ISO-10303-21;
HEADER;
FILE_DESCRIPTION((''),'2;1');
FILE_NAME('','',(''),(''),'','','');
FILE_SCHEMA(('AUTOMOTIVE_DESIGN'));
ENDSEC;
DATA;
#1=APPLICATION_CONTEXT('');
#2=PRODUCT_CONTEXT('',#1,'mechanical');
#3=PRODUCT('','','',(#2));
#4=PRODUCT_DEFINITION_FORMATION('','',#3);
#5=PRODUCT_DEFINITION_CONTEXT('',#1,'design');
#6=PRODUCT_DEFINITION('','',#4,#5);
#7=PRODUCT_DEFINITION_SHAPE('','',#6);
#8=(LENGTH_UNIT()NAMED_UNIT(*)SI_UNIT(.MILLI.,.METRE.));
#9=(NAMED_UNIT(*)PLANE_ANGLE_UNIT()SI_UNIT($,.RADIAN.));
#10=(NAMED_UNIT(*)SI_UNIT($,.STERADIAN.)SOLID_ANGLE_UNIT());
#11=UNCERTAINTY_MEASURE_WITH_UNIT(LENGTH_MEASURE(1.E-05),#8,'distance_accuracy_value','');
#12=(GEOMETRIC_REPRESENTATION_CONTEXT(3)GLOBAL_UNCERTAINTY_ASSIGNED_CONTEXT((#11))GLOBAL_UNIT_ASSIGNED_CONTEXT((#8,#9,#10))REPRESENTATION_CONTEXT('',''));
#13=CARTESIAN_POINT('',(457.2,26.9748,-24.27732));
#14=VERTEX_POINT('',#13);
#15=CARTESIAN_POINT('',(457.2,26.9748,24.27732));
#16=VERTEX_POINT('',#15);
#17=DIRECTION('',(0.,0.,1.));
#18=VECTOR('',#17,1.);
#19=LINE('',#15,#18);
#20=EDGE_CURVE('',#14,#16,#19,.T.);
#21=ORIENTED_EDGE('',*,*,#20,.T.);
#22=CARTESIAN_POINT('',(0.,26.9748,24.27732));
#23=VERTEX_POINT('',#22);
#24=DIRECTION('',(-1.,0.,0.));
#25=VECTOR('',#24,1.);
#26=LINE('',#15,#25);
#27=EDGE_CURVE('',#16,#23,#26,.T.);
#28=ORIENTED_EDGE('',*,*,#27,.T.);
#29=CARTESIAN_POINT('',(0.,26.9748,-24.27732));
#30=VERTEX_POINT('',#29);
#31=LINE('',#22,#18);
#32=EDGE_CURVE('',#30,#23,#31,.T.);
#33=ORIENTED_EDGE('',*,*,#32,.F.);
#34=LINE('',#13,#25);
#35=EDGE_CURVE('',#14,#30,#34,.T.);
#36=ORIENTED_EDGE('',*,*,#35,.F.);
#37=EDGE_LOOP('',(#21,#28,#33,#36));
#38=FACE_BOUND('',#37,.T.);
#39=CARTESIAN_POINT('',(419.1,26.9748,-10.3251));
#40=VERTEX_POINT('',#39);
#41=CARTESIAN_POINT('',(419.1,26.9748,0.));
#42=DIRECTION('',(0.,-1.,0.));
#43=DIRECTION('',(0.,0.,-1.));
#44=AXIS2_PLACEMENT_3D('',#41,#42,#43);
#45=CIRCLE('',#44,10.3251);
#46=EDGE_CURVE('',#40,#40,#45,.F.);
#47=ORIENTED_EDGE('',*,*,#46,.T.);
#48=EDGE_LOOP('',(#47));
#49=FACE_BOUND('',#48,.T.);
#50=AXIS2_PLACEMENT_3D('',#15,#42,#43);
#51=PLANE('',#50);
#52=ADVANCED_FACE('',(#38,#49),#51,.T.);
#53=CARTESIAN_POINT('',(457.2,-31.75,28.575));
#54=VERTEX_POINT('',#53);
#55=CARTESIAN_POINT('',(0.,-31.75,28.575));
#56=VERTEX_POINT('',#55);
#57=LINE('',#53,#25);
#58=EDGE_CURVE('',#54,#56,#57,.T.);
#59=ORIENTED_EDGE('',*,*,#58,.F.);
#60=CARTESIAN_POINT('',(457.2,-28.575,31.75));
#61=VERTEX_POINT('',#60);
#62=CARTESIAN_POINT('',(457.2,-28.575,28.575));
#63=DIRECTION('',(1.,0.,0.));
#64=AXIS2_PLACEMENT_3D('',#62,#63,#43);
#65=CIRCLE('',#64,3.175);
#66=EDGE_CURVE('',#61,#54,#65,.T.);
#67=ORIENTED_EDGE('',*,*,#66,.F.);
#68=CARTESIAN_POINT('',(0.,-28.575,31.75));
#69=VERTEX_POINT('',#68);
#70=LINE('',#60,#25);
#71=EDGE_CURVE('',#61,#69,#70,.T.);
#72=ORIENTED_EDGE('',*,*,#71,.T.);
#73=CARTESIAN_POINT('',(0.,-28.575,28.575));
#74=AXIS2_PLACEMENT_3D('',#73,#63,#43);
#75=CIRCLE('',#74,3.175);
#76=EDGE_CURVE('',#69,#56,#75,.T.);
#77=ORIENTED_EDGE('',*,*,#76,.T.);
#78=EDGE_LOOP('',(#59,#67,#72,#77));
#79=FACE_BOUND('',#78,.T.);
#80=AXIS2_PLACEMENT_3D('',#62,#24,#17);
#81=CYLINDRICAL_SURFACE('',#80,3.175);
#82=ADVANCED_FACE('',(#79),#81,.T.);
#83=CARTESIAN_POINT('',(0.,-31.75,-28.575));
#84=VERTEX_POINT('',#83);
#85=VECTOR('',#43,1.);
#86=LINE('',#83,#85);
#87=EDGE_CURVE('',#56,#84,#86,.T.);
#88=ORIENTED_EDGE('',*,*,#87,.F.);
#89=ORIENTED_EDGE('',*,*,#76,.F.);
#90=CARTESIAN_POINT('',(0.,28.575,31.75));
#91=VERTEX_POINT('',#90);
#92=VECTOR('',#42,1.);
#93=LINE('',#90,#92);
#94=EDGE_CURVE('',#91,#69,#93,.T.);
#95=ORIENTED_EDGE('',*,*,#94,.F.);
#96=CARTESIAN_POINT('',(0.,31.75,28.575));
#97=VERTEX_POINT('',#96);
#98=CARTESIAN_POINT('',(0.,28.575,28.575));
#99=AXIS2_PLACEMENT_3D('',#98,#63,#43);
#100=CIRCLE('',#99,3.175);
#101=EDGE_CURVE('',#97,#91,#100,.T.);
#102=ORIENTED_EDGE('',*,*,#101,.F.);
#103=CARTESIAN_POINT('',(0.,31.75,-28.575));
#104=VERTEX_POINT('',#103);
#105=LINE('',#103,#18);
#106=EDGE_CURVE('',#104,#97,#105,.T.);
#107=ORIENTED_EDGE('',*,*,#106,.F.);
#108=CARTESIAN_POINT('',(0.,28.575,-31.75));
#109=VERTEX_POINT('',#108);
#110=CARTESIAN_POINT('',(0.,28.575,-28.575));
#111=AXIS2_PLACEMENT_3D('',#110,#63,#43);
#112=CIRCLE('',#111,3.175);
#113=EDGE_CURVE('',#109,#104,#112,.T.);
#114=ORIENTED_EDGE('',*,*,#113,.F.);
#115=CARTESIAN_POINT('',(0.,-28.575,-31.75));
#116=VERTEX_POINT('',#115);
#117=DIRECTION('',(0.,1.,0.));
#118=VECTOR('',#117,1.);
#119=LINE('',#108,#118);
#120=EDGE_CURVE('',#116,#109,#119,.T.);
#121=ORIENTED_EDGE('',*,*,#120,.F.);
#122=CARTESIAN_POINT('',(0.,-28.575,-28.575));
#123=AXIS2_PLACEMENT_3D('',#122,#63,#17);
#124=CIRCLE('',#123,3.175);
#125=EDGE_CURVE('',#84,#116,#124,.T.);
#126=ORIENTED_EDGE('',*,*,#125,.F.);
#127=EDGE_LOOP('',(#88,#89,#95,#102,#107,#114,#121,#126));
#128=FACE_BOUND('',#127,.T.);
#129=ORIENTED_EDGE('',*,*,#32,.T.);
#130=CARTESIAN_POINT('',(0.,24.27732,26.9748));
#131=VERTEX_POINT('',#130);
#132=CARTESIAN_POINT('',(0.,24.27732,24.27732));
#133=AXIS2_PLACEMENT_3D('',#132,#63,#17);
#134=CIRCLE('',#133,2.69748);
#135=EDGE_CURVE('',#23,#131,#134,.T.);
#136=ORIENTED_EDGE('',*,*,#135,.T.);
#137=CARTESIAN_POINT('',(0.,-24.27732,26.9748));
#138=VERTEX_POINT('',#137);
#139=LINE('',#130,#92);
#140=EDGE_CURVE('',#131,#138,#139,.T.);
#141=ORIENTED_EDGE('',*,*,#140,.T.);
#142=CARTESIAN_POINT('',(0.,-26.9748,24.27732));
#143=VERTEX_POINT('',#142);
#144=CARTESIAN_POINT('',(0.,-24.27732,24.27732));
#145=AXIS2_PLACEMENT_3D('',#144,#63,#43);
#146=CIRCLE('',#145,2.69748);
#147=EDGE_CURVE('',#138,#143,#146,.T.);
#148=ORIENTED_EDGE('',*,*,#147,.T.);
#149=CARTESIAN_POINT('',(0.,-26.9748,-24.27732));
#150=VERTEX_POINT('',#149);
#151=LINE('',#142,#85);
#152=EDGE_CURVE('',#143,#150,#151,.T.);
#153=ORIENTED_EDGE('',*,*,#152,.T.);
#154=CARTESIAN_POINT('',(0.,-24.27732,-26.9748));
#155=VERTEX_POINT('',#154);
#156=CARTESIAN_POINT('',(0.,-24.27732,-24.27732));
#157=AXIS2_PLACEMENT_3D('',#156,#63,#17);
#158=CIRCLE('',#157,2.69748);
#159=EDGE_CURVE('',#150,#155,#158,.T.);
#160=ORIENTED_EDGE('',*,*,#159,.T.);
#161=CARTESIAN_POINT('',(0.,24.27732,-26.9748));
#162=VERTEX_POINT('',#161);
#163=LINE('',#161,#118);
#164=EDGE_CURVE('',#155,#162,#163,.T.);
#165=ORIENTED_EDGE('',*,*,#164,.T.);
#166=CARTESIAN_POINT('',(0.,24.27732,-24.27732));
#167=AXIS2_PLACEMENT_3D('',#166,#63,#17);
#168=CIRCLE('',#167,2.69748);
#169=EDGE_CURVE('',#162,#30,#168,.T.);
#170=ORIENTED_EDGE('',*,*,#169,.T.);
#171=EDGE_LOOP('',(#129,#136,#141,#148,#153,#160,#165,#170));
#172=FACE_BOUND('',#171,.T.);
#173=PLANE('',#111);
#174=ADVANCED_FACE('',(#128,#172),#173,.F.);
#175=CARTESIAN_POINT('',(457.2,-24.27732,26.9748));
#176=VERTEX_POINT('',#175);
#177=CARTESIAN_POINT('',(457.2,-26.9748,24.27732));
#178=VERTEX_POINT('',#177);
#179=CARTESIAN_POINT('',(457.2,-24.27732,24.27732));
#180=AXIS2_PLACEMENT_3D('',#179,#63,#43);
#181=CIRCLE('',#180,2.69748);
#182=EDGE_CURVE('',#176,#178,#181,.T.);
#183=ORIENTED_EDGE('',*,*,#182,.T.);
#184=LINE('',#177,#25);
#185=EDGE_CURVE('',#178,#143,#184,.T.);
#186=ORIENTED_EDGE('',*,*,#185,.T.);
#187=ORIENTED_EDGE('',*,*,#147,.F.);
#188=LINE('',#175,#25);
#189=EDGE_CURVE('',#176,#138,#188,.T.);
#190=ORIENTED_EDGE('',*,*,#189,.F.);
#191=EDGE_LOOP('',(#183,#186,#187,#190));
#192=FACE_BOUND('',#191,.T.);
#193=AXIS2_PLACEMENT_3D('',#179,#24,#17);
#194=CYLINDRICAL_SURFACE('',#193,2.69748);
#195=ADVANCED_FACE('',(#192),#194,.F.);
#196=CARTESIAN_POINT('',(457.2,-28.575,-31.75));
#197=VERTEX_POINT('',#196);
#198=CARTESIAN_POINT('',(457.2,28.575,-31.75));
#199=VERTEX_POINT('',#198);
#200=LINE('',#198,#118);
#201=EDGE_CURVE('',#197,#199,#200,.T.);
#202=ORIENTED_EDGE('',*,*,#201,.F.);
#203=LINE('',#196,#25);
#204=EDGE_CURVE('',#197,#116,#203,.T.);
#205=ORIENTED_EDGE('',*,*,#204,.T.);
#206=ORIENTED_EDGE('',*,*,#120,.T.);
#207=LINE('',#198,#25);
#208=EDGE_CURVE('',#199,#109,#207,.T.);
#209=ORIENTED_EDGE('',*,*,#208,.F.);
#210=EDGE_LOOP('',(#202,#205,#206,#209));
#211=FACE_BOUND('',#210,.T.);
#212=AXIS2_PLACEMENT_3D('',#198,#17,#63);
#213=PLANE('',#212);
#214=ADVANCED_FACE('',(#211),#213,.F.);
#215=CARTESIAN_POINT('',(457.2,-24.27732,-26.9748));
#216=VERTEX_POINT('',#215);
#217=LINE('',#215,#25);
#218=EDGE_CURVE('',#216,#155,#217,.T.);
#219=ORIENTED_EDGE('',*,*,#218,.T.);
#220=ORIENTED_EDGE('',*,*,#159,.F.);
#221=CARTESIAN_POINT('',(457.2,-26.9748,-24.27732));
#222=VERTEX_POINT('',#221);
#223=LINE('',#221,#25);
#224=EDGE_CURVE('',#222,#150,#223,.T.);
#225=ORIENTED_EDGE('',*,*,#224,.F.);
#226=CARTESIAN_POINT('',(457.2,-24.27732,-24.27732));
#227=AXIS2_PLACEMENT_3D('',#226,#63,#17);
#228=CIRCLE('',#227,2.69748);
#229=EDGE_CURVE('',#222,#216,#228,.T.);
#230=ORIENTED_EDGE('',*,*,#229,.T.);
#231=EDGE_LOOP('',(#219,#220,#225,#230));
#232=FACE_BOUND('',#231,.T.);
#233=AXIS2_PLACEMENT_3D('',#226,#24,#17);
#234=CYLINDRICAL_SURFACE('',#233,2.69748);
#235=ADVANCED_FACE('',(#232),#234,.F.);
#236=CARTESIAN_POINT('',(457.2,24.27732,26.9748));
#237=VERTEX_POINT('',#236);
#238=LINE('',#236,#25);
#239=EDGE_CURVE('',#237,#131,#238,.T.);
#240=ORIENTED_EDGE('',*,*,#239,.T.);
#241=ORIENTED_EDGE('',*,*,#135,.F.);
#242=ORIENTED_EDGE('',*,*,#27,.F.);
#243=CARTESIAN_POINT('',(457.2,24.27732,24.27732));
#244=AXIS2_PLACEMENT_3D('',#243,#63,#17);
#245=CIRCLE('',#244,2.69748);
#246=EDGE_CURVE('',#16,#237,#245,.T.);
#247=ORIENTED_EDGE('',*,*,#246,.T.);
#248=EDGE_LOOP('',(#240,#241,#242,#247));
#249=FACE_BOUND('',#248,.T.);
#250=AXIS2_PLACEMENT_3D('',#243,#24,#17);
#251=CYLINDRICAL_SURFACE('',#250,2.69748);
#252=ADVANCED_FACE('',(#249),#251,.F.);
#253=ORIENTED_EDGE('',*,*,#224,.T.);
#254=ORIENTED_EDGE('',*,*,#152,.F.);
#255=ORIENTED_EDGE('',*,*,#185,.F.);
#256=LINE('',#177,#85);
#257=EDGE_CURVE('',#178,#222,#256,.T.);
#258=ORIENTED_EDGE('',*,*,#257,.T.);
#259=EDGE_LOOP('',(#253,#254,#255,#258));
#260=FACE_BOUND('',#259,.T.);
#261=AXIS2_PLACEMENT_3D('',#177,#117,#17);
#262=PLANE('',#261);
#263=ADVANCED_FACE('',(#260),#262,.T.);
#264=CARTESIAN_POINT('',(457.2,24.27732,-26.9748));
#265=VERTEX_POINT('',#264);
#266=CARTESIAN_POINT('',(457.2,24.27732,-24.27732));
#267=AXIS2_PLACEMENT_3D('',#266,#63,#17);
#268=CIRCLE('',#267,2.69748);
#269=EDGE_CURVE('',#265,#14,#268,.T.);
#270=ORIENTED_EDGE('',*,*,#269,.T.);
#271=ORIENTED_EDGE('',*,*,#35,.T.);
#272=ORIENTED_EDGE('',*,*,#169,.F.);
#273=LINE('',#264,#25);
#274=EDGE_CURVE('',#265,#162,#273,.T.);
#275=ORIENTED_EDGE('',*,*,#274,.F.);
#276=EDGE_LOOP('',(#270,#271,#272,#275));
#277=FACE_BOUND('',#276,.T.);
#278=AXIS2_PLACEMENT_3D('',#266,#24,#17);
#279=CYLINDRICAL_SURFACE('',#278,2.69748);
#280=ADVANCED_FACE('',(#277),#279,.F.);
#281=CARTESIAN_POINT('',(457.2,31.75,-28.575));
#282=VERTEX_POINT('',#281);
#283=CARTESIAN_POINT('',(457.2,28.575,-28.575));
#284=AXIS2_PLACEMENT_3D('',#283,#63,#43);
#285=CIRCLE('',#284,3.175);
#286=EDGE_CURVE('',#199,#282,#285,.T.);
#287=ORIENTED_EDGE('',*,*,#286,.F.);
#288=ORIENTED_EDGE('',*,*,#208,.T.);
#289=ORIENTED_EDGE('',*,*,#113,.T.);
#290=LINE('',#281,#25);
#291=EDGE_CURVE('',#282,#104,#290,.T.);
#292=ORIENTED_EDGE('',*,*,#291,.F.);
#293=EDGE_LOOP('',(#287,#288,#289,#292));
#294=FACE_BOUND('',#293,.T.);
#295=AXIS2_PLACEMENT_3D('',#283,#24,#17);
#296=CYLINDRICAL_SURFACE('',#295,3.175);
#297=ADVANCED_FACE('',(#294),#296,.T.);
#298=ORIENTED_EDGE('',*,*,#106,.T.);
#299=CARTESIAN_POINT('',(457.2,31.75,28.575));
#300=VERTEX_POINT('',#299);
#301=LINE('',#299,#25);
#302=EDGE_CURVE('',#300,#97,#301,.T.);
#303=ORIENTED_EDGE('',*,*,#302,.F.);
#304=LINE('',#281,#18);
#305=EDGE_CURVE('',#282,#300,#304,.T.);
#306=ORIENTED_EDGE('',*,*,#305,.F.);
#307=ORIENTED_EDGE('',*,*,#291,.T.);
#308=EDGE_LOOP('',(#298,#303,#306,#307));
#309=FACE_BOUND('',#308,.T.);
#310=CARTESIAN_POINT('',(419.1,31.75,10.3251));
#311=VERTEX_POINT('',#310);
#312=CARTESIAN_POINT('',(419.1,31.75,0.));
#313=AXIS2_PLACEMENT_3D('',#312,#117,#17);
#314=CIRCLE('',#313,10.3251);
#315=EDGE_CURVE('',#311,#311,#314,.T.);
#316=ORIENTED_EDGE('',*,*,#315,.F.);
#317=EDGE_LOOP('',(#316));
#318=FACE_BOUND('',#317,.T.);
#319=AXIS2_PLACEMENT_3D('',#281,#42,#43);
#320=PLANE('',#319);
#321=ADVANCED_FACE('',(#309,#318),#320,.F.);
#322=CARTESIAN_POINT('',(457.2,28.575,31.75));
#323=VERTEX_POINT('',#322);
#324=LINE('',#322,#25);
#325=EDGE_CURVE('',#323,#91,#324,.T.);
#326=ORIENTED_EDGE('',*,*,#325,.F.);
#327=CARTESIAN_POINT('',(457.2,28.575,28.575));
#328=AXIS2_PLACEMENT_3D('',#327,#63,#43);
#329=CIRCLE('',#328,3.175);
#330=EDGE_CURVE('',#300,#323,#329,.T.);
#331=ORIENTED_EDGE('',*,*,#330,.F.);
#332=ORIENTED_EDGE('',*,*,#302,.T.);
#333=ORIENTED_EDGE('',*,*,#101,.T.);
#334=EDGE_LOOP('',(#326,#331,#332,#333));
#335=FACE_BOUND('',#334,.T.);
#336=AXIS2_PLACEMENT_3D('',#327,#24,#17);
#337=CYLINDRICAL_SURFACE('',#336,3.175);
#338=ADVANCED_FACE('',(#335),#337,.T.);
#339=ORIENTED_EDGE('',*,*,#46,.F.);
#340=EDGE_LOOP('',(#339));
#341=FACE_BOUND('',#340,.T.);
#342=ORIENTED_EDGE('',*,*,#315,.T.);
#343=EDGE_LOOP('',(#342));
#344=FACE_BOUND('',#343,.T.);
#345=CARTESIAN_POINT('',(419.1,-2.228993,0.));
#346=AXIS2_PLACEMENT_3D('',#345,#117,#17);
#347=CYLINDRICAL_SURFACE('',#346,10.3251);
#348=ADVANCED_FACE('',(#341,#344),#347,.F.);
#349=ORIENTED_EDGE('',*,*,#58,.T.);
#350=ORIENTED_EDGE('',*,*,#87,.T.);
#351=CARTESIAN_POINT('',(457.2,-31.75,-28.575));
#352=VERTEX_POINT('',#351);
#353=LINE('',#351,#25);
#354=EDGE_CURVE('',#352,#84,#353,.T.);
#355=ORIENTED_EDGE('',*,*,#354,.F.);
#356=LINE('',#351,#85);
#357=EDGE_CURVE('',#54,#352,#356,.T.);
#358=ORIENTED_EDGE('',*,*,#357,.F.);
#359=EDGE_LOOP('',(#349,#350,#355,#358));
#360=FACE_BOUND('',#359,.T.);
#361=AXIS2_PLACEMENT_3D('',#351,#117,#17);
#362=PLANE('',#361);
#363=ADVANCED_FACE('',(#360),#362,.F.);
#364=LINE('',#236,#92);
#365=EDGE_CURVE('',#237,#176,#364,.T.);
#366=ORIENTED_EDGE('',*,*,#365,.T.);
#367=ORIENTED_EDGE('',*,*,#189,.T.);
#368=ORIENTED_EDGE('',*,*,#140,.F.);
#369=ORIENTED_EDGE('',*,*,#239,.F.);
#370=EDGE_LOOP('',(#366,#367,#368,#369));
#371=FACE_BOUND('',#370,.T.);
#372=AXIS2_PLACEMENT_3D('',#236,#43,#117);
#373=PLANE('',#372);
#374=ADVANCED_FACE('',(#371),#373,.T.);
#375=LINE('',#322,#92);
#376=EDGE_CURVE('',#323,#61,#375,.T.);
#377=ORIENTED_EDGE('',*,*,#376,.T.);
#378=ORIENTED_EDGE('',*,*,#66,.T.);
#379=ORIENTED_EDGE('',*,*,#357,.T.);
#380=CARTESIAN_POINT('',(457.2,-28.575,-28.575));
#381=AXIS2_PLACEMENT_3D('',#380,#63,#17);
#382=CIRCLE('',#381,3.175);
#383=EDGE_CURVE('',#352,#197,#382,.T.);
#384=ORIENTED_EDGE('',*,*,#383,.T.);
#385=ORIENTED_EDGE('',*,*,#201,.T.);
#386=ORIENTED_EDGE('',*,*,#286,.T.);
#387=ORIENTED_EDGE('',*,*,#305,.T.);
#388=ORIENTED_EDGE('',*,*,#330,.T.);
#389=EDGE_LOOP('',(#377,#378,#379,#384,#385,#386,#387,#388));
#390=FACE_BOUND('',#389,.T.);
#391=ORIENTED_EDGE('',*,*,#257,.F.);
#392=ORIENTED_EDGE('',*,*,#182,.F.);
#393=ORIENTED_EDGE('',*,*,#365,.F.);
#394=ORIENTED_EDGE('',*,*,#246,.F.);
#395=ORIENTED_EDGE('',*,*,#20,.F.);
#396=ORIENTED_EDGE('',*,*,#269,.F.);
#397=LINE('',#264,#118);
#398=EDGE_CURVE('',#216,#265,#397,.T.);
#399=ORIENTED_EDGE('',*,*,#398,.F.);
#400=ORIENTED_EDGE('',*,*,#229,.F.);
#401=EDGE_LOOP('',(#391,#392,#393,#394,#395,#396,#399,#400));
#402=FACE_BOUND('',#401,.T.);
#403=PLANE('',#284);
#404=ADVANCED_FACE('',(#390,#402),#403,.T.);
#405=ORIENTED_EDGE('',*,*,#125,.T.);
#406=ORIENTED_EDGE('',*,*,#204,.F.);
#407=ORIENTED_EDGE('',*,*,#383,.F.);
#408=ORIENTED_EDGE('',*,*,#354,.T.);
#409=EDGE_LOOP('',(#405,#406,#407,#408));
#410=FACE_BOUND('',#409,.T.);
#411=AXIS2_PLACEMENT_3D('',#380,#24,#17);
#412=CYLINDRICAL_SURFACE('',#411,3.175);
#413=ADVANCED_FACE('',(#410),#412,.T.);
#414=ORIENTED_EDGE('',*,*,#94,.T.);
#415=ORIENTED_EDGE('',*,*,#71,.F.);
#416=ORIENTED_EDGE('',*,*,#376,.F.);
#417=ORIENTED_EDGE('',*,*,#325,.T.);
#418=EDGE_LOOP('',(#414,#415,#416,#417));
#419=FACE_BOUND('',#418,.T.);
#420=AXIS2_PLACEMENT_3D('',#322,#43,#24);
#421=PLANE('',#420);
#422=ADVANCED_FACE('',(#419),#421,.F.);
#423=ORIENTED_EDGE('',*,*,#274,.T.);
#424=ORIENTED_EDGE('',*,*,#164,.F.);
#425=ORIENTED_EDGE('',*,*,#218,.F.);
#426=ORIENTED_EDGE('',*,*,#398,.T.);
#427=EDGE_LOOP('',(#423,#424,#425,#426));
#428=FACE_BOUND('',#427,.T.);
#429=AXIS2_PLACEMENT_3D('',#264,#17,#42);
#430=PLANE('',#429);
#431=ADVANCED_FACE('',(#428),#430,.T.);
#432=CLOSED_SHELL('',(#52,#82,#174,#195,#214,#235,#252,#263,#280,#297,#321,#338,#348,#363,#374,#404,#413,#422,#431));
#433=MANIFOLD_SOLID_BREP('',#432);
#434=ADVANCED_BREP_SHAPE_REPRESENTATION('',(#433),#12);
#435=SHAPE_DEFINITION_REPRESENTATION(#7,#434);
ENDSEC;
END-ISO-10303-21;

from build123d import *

# Parameters (mm, degrees)
SQUARE_TUBE_2_5X2_5X_188_A500_1_DEPTH = 457.2
SKETCH3_R                             = 10.3251
CUT_EXTRUDE1_DEPTH                    = 4.7752


with BuildPart() as part:
    # Sketch1 → Square tube 2.5X2.5X.188 A500(1) (new body)
    with BuildSketch(Plane.YZ):
        with BuildLine():
            Line((28.575, -31.75), (-28.575, -31.75))
            ThreePointArc((-28.575, -31.75), (-30.82006403, -30.82006403), (-31.75, -28.575))
            Line((-31.75, -28.575), (-31.75, 28.575))
            ThreePointArc((-31.75, 28.575), (-30.82006403, 30.82006403), (-28.575, 31.75))
            Line((-28.575, 31.75), (28.575, 31.75))
            ThreePointArc((28.575, 31.75), (30.82006403, 30.82006403), (31.75, 28.575))
            Line((31.75, 28.575), (31.75, -28.575))
            ThreePointArc((31.75, -28.575), (30.82006403, -30.82006403), (28.575, -31.75))
        make_face()
        with BuildLine():
            Line((24.27732, 26.9748), (-24.27732, 26.9748))
            ThreePointArc((-24.27732, 26.9748), (-26.1847264, 26.1847264), (-26.9748, 24.27732))
            Line((-26.9748, 24.27732), (-26.9748, -24.27732))
            ThreePointArc((-26.9748, -24.27732), (-26.1847264, -26.1847264), (-24.27732, -26.9748))
            Line((-24.27732, -26.9748), (24.27732, -26.9748))
            ThreePointArc((24.27732, -26.9748), (26.1847264, -26.1847264), (26.9748, -24.27732))
            Line((26.9748, -24.27732), (26.9748, 24.27732))
            ThreePointArc((26.9748, 24.27732), (26.1847264, 26.1847264), (24.27732, 26.9748))
        make_face(mode=Mode.SUBTRACT)
    extrude(amount=SQUARE_TUBE_2_5X2_5X_188_A500_1_DEPTH)

    # Sketch3 → Cut-Extrude1 (cut)
    with BuildSketch(Plane(origin=(0, 31.75, 0), x_dir=(1, 0, 0), z_dir=(0, 1, 0))):
        with Locations(Location((419.1, 0, 0), (0, 0, 270))):
            Circle(SKETCH3_R)
    extrude(amount=-CUT_EXTRUDE1_DEPTH, mode=Mode.SUBTRACT)


solid = part.part
